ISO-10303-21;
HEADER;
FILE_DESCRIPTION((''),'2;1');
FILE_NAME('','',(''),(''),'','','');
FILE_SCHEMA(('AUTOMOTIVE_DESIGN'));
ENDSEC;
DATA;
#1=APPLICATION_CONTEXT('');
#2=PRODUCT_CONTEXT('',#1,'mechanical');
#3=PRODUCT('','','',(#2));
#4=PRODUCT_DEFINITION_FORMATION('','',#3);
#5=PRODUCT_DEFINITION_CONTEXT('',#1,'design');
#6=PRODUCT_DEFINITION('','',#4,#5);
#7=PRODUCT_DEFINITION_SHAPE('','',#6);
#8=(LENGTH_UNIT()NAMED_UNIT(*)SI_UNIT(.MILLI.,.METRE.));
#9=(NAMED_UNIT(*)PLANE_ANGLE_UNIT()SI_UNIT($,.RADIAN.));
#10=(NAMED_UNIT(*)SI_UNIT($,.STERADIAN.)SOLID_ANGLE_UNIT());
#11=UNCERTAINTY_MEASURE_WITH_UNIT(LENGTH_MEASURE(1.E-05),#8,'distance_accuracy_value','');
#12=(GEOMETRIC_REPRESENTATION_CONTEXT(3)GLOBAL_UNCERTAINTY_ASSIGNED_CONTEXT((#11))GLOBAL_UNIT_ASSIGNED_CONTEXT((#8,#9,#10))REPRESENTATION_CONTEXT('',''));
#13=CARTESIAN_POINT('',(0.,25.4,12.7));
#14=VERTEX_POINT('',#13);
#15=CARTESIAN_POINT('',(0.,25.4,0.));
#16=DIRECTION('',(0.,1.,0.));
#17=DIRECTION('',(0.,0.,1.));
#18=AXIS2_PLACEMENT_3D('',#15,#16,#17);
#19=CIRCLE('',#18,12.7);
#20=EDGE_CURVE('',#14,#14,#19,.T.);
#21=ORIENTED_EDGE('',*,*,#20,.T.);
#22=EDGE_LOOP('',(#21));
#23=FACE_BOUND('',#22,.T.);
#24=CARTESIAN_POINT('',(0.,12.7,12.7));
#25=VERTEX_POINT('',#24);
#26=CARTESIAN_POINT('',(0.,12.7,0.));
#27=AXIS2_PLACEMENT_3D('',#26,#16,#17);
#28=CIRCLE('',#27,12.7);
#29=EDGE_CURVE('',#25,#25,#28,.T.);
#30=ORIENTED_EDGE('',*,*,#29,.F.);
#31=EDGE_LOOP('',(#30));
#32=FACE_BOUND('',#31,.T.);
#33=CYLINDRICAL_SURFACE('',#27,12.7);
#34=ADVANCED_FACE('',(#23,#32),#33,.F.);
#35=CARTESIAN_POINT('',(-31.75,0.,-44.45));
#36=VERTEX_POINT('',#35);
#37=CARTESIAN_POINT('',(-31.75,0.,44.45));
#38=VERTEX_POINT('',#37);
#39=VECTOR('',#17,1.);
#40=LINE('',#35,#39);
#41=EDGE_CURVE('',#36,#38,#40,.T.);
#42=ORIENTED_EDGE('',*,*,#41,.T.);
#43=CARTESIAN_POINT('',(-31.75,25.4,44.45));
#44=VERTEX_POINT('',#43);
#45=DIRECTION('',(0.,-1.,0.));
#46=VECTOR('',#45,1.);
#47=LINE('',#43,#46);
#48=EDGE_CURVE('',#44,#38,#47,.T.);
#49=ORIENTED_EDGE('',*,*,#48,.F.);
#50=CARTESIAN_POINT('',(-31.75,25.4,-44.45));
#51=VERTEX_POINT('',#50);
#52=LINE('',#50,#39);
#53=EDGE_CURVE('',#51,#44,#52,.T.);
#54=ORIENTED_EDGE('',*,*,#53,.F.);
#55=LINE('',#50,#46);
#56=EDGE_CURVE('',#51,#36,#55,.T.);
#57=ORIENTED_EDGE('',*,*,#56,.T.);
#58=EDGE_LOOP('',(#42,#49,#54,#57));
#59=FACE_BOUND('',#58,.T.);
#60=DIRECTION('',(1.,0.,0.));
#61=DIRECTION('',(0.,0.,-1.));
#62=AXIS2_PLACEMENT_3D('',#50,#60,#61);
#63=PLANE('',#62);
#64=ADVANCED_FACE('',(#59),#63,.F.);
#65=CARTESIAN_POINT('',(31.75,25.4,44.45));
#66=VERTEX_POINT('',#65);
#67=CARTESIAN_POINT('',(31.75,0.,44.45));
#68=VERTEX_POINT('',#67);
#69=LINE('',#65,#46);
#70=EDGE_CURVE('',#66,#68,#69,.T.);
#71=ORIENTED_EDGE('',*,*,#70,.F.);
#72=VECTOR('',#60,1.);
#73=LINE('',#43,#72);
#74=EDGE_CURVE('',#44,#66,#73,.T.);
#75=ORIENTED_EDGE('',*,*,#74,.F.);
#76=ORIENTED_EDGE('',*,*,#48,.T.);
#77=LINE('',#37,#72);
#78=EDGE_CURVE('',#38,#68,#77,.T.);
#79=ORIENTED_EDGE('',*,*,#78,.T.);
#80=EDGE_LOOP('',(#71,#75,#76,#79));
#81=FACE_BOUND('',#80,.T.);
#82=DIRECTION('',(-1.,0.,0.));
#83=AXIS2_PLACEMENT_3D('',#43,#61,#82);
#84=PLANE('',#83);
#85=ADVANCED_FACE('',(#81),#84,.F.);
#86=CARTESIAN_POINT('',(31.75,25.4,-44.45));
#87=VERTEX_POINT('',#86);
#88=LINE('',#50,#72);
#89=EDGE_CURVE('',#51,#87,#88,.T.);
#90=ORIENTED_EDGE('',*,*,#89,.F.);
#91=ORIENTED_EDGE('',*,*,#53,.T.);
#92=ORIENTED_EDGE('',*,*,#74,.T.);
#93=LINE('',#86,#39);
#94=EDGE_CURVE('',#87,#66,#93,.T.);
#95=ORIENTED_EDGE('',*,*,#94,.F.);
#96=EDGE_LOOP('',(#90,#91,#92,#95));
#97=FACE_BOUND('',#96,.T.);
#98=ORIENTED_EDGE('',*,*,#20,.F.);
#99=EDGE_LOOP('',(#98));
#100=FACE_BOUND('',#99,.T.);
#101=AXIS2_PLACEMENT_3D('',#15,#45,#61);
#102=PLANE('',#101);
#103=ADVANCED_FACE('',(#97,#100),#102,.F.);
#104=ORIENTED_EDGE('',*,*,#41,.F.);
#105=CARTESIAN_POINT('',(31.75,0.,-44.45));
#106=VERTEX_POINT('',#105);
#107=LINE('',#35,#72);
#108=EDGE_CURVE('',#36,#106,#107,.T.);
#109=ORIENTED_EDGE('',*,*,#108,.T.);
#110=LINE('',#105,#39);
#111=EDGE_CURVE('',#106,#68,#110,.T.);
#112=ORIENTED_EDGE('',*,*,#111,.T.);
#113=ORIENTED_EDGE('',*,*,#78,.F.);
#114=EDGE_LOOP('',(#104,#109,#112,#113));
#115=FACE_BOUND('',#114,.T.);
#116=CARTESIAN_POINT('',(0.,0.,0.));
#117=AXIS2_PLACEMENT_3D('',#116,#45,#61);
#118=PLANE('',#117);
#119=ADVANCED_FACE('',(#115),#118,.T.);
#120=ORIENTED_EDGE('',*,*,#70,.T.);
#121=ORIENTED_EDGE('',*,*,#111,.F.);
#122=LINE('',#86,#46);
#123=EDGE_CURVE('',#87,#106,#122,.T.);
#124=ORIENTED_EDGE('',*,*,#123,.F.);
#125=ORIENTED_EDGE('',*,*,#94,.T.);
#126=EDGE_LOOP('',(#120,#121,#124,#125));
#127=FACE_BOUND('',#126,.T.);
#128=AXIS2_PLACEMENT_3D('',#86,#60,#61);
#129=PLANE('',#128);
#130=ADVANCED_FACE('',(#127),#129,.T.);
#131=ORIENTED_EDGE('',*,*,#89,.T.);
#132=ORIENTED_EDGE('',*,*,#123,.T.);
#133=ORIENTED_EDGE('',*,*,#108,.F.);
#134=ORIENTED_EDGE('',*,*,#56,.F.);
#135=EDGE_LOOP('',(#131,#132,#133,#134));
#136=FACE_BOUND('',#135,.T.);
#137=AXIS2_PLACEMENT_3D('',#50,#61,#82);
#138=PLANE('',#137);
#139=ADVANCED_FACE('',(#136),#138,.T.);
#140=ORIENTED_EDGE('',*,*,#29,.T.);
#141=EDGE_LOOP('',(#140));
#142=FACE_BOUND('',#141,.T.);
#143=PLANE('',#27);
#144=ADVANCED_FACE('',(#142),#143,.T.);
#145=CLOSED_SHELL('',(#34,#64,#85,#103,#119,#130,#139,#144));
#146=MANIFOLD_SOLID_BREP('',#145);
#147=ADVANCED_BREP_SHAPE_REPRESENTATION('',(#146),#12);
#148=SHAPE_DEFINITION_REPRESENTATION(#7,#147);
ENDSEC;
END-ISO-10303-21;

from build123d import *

# Parameters (mm, degrees)
SKETCH1_W           = 63.5
SKETCH1_H           = 88.9
BOSS_EXTRUDE1_DEPTH = 25.4
SKETCH3_R           = 12.7
CUT_EXTRUDE1_DEPTH  = 12.7


with BuildPart() as part:
    # Sketch1 → Boss-Extrude1 (new body)
    with BuildSketch(Plane(origin=(0, 0, 0), x_dir=(1, 0, 0), z_dir=(0, 1, 0))):
        Rectangle(SKETCH1_W, SKETCH1_H)
    extrude(amount=BOSS_EXTRUDE1_DEPTH)

    # Sketch3 → Cut-Extrude1 (cut)
    with BuildSketch(Plane(origin=(0, 25.4, 0), x_dir=(1, 0, 0), z_dir=(0, 1, 0))):
        Circle(SKETCH3_R)
    extrude(amount=-CUT_EXTRUDE1_DEPTH, mode=Mode.SUBTRACT)


solid = part.part
